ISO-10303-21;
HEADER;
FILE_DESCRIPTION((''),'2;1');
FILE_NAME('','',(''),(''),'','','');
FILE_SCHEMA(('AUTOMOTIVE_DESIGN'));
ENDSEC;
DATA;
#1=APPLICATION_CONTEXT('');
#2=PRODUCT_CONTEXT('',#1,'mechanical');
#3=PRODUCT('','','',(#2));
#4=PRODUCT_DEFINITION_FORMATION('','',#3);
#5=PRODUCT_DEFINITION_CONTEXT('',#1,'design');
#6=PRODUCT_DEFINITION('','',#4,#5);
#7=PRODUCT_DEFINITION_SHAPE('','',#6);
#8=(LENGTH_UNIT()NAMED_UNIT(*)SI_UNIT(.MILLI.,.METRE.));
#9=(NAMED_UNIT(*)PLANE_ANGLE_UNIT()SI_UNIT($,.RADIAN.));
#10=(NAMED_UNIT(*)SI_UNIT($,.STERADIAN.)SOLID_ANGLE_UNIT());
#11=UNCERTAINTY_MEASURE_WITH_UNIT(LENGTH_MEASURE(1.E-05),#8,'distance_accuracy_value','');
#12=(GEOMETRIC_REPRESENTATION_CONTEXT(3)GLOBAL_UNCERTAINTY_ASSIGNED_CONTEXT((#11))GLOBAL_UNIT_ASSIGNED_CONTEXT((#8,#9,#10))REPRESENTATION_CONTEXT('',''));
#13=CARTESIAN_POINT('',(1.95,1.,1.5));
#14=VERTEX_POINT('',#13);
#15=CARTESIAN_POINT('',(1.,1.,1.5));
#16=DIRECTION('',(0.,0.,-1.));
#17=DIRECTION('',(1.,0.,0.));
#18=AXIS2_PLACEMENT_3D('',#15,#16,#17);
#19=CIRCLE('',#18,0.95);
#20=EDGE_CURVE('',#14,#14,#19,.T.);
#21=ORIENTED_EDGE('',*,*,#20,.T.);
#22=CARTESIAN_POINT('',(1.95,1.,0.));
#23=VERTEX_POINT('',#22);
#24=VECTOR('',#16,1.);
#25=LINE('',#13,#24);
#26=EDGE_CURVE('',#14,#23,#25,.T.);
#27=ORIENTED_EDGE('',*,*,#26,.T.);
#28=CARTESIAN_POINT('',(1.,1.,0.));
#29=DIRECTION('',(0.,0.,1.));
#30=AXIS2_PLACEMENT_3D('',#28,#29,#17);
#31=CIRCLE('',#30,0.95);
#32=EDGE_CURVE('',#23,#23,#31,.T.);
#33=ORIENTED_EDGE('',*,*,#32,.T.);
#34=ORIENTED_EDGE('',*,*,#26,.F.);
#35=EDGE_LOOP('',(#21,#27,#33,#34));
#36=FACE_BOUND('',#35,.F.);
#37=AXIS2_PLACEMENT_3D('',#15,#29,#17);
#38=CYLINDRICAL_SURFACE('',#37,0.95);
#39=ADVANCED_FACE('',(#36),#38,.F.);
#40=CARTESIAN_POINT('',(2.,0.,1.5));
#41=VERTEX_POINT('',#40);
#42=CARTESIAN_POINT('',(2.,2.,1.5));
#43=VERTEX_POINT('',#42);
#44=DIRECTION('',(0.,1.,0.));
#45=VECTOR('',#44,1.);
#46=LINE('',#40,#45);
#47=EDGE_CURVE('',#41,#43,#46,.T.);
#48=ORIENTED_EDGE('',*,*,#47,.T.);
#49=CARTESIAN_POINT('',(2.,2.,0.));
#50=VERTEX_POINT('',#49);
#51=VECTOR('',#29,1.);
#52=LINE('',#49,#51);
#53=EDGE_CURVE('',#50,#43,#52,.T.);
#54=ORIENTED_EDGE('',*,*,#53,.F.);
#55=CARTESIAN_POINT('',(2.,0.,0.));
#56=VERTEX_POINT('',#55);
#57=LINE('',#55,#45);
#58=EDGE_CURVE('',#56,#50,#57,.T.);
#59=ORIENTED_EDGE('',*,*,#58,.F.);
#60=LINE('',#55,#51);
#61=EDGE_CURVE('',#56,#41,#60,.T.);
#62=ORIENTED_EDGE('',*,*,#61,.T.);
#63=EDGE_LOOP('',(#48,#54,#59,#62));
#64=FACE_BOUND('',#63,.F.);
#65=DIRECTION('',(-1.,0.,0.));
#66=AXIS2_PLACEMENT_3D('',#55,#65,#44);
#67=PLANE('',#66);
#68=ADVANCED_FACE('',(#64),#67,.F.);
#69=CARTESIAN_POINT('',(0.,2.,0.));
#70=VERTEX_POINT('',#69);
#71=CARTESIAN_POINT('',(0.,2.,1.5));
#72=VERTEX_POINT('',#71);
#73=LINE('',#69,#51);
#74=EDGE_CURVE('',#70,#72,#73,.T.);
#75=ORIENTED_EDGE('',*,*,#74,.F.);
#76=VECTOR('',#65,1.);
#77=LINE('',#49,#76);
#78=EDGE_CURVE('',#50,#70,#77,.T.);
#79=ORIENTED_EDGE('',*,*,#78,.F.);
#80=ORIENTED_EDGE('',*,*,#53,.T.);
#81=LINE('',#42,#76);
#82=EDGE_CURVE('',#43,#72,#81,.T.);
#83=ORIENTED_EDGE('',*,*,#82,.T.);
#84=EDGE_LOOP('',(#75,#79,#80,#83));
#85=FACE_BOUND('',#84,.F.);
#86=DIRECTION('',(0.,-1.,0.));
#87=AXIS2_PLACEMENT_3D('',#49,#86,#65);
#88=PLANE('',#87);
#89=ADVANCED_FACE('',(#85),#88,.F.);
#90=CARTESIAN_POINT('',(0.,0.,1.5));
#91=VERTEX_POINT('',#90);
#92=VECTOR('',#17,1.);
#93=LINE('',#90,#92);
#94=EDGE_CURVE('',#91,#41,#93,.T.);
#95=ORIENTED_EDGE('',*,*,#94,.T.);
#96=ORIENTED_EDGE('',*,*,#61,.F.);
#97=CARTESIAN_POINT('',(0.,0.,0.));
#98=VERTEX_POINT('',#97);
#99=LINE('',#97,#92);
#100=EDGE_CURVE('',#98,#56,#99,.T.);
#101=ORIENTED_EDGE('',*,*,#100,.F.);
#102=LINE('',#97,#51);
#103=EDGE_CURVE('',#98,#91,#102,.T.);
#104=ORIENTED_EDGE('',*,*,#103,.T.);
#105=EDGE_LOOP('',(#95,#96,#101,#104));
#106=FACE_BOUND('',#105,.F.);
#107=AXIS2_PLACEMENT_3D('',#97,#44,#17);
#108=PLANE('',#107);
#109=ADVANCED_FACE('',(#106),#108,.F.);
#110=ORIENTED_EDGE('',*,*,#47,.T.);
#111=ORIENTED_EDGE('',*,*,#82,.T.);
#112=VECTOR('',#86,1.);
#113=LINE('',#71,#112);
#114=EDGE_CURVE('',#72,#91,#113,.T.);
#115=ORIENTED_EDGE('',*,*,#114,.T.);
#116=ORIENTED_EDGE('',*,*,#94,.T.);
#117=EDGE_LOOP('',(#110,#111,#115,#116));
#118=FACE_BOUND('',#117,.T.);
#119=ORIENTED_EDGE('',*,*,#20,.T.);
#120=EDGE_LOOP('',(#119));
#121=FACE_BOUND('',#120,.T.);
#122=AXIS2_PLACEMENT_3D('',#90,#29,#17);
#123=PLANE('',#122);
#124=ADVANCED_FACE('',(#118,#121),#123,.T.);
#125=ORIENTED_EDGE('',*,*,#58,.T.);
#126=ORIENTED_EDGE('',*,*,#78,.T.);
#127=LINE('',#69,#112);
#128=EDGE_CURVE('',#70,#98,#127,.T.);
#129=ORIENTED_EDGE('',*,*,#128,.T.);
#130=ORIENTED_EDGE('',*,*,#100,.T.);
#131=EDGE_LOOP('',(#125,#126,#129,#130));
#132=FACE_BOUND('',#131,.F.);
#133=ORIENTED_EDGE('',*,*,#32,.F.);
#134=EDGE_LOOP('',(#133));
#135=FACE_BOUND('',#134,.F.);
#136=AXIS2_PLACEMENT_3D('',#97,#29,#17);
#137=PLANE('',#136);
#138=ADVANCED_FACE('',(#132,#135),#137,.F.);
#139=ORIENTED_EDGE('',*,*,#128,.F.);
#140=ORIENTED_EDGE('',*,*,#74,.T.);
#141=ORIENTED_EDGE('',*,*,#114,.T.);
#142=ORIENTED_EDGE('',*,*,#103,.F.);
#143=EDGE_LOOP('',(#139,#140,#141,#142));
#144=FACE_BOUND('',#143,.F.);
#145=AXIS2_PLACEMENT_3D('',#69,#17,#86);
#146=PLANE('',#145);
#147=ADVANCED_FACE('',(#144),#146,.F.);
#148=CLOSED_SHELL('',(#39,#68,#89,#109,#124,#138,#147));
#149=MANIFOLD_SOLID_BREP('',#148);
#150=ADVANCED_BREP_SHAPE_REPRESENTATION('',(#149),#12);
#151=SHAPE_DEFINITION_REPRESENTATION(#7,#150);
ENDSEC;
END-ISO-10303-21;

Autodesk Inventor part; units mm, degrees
ref_plane "YZ Plane" through (0, 0, 0) normal (1, 0, 0) x (0, 1, 0)
ref_plane "XZ Plane" through (0, 0, 0) normal (0, 1, 0) x (-1, 0, 0)
ref_plane "XY Plane" through (0, 0, 0) normal (0, 0, 1) x (1, 0, 0)
sketch "Sketch1" plane through (0, 0, 0) normal (0, 0, 1) x (1, 0, 0)
  line L0 (0, 0) -> (2, 0)
  line L1 (2, 0) -> (2, 2)
  line L2 (2, 2) -> (0, 2)
  line L3 (0, 2) -> (0, 0)
  dimension "d0" = 2
  dimension "d1" = 2
extrude "Extrusion1" add sketch "Sketch1" along normal blind 1.5
sketch "Sketch2" plane through (0, 0, 1.5) normal (0, 0, 1) x (1, 0, 0)
  line L0 (2, 2) -> (0, 2) projected
  line L1 (1, 2) -> (1, 0)
  line L2 (0, 0) -> (2, 0) projected
  circle A0 centre (1, 1) radius 0.95
  dimension "d4" = 1.9
extrude "Extrusion2" cut sketch "Sketch2" along normal through all both and the other way through all
thread "Thread1" size "M2x0.4" class "6H" standard "ANSI Metric M Profile" full length
properties part number "NUT SMALL"
